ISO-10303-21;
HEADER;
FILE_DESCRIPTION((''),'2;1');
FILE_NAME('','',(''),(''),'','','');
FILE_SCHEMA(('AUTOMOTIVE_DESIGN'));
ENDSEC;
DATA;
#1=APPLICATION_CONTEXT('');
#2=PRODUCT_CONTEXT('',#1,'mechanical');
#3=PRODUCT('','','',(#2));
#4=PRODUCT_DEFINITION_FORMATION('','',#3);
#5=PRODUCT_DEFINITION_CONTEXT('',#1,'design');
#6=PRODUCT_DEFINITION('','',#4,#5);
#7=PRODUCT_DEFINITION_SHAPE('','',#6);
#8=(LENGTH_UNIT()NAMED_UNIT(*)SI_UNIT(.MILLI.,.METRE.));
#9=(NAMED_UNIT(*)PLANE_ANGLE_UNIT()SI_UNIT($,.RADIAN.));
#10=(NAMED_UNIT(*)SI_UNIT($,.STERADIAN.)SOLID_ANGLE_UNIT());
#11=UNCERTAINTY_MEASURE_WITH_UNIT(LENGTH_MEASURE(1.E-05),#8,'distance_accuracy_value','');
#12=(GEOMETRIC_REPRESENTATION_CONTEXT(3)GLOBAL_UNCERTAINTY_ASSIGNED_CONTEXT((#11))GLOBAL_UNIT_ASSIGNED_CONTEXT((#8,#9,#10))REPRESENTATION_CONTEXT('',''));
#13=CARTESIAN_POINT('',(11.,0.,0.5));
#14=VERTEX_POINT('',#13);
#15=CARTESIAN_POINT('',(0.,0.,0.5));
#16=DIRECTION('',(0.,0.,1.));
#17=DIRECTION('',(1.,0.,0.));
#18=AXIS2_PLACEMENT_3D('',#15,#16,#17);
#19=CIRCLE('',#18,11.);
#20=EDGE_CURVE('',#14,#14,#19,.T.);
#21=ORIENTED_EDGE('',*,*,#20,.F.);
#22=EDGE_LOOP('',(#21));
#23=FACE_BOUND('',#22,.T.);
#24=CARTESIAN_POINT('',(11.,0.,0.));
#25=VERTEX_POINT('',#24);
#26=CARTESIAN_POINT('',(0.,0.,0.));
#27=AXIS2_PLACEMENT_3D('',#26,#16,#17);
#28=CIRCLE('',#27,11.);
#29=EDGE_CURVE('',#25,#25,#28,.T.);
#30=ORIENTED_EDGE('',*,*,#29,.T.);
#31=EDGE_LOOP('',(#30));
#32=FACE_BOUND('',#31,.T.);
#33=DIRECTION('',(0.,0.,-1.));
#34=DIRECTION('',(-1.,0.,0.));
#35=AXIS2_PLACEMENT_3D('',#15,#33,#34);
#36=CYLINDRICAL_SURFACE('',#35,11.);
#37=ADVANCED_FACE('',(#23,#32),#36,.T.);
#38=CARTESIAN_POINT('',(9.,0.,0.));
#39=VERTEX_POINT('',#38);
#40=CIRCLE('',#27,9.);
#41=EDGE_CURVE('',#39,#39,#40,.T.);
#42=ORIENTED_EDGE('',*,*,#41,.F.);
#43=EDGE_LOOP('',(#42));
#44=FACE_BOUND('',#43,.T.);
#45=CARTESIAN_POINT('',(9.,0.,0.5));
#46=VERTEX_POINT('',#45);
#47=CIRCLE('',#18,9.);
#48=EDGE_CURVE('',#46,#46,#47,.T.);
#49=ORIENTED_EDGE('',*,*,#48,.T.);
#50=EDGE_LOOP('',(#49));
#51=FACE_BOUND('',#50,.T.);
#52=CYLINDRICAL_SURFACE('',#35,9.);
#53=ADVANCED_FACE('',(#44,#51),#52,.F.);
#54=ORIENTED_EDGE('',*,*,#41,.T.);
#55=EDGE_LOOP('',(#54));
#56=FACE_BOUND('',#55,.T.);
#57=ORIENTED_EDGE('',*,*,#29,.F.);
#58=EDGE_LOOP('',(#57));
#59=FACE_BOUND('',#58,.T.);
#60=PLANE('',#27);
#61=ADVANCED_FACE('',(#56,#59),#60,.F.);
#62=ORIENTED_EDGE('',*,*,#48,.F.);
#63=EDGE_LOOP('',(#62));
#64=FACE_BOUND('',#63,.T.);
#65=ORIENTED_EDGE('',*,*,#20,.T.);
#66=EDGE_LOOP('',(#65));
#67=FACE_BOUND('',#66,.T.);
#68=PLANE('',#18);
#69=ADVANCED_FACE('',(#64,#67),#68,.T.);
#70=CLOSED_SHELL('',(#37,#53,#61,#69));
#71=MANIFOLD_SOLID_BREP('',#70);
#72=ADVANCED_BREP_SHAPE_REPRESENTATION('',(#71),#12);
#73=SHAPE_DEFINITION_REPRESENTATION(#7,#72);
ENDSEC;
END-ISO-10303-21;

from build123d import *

# Parameters (mm, degrees)
IZIM1_R                     = 11
IZIM1_R_2                   = 9
Y_KSEKLIK_EKSTR_ZYON1_DEPTH = 0.5


with BuildPart() as part:
    # Çizim1 → Yükseklik-Ekstrüzyon1 (new body)
    with BuildSketch(Plane.XY):
        Circle(IZIM1_R)
        Circle(IZIM1_R_2, mode=Mode.SUBTRACT)
    extrude(amount=Y_KSEKLIK_EKSTR_ZYON1_DEPTH)


solid = part.part
